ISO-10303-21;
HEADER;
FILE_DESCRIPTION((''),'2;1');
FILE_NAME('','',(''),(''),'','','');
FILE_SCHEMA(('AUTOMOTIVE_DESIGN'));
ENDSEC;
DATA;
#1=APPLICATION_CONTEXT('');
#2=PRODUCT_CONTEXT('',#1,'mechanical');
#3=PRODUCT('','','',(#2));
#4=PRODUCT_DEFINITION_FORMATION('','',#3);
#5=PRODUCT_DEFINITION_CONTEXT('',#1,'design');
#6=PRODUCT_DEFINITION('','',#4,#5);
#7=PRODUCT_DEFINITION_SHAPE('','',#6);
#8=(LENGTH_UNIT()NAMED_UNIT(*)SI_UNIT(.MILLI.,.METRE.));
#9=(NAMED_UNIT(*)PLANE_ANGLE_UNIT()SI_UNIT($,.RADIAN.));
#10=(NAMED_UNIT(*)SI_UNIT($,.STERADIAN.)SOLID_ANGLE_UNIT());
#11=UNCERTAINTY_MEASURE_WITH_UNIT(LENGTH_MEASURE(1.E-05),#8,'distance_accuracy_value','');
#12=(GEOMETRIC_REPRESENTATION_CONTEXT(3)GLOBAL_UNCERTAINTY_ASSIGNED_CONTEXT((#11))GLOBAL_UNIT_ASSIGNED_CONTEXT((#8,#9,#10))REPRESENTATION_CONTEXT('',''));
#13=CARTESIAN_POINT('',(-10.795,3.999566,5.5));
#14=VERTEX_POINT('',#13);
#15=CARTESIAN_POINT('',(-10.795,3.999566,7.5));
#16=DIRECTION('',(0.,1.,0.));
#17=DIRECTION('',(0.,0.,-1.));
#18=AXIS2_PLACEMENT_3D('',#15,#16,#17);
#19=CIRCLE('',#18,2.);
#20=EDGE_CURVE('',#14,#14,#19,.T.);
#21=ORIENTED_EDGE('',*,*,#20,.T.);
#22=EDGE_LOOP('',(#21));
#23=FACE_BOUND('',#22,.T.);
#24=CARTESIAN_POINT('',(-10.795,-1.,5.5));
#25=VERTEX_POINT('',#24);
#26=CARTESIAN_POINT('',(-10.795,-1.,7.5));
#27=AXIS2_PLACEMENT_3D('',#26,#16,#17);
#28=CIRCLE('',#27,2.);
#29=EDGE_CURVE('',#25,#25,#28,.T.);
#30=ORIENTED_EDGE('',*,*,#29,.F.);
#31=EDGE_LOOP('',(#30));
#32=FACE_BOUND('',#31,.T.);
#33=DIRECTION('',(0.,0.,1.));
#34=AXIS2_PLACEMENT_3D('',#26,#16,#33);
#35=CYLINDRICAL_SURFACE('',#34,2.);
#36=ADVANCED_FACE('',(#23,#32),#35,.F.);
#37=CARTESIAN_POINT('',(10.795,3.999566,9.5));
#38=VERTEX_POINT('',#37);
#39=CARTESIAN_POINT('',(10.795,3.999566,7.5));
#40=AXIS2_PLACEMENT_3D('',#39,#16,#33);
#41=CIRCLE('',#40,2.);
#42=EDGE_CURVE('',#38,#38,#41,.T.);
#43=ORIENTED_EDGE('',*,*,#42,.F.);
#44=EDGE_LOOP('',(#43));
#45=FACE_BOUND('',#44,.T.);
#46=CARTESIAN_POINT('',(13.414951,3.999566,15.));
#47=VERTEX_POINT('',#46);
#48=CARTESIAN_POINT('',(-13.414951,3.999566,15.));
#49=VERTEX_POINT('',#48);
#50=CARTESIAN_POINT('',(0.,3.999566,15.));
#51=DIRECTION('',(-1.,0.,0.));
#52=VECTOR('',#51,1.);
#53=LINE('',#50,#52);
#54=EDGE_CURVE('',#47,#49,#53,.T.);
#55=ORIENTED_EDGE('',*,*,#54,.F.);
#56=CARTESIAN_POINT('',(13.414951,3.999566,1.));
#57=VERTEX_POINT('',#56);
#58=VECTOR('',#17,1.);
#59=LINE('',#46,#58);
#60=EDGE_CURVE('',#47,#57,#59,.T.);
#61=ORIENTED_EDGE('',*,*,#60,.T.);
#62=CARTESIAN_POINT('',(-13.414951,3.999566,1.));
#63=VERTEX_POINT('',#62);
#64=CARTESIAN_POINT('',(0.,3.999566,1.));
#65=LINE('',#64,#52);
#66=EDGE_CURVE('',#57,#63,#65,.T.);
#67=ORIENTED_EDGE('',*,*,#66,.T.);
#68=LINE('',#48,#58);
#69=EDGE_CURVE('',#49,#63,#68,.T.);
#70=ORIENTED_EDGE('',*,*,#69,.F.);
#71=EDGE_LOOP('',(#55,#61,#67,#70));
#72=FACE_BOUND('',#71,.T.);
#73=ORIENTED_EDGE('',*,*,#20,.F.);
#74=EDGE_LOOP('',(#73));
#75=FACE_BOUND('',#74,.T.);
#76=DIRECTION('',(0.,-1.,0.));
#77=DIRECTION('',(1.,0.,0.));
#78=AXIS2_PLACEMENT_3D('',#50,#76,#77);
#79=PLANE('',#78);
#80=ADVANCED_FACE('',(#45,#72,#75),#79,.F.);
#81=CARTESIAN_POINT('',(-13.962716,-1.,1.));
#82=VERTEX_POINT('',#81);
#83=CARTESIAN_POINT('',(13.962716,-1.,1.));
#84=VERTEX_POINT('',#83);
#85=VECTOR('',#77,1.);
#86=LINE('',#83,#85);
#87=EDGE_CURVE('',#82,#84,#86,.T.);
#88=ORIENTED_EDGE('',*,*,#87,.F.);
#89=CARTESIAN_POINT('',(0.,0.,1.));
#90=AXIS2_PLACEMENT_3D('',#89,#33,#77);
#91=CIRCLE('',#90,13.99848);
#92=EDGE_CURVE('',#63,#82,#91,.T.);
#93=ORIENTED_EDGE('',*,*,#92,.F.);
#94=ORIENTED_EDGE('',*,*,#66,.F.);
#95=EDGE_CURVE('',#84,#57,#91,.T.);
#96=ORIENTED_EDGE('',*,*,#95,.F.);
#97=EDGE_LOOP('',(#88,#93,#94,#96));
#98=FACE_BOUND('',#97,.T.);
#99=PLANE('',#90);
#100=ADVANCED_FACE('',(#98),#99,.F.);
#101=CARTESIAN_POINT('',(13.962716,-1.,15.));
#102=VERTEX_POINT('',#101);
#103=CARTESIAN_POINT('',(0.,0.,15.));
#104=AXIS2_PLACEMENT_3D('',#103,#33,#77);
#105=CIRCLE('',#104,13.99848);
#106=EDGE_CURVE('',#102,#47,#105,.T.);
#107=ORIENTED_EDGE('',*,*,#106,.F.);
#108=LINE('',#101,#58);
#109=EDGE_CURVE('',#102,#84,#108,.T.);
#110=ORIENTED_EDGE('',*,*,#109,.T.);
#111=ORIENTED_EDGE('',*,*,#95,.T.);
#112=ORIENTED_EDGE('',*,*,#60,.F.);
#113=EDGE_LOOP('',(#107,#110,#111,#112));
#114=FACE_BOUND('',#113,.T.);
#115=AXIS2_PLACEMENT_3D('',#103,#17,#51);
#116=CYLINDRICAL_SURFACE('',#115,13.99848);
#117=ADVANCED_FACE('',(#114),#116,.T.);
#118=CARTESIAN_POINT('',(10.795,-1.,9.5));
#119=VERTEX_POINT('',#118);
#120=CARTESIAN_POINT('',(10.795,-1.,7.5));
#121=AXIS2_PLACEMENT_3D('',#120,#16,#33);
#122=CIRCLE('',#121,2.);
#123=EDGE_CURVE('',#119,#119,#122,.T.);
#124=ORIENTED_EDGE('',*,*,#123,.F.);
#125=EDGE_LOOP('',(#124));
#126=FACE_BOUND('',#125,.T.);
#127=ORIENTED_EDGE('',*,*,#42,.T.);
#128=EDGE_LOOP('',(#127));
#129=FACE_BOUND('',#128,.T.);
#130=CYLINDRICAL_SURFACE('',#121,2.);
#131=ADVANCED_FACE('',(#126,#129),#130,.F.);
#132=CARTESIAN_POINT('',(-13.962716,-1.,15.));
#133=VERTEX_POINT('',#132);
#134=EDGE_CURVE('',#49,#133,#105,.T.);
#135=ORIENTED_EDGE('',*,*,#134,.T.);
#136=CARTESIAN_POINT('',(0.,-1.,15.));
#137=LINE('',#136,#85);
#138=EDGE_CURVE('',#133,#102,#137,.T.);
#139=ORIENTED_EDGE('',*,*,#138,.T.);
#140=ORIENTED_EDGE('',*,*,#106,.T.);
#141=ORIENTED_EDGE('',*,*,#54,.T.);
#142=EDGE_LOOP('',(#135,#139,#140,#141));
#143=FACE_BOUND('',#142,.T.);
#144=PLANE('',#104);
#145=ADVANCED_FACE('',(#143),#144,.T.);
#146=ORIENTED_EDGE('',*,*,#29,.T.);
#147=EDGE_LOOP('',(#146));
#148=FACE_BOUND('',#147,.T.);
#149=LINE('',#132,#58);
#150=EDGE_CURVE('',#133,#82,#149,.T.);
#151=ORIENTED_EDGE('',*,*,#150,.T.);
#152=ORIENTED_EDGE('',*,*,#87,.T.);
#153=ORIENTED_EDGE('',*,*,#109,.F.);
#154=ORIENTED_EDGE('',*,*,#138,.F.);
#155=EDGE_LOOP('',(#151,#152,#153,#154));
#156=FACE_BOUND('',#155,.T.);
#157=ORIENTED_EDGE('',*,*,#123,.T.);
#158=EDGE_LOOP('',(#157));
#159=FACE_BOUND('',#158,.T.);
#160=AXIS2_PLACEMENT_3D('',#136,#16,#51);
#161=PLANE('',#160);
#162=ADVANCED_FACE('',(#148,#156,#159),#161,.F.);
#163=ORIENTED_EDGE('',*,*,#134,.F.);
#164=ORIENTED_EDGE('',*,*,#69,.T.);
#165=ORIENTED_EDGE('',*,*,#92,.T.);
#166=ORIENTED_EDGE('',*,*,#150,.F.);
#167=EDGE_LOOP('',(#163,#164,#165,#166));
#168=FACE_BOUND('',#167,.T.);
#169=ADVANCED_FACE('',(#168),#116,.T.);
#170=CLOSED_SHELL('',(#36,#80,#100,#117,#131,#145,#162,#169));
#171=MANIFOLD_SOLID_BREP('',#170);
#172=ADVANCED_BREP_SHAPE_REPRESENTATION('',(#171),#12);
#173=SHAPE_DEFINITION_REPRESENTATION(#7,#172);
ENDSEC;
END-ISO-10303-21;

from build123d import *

# Parameters (mm, degrees)
BOSS_EXTRUDE1_DEPTH = 15
SKETCH3_R           = 2
CUT_EXTRUDE1_DEPTH  = 22.117601772
CUT_EXTRUDE3_DEPTH  = 1


with BuildPart() as part:
    # Sketch2 → Boss-Extrude1 (new body)
    with BuildSketch(Plane.XY):
        with BuildLine():
            Line((0, 3.99956576), (-13.41495138, 3.99956576))
            ThreePointArc((-13.41495138, 3.99956576), (-13.915210617, 1.524585285), (-13.962716312, -1))
            Line((-13.962716312, -1), (0, -1))
            Line((0, -1), (13.962716312, -1))
            ThreePointArc((13.962716312, -1), (13.915210617, 1.524585285), (13.41495138, 3.99956576))
            Line((13.41495138, 3.99956576), (0, 3.99956576))
        make_face()
    extrude(amount=BOSS_EXTRUDE1_DEPTH)

    # Sketch3 → Cut-Extrude1 (cut, through all)
    with BuildSketch(Plane(origin=(0, 3.99956576, 0), x_dir=(1, 0, 0), z_dir=(0, 1, 0))):
        with Locations(Location((10.795, -7.5, 0), (0, 0, 270))):
            Circle(SKETCH3_R)
        with Locations(Location((-10.795, -7.5, 0), (0, 0, 90))):
            Circle(SKETCH3_R)
    extrude(amount=-CUT_EXTRUDE1_DEPTH, mode=Mode.SUBTRACT)

    # Sketch4 → Cut-Extrude3 (cut)
    with BuildSketch(Plane.XY):
        with BuildLine():
            Line((13.962716312, -1), (-13.962716312, -1))
            ThreePointArc((-13.962716312, -1), (-13.915210617, 1.524585285), (-13.41495138, 3.99956576))
            Line((-13.41495138, 3.99956576), (0, 3.99956576))
            Line((0, 3.99956576), (13.41495138, 3.99956576))
            ThreePointArc((13.41495138, 3.99956576), (13.915210617, 1.524585285), (13.962716312, -1))
        make_face()
    extrude(amount=CUT_EXTRUDE3_DEPTH, mode=Mode.SUBTRACT)


solid = part.part
